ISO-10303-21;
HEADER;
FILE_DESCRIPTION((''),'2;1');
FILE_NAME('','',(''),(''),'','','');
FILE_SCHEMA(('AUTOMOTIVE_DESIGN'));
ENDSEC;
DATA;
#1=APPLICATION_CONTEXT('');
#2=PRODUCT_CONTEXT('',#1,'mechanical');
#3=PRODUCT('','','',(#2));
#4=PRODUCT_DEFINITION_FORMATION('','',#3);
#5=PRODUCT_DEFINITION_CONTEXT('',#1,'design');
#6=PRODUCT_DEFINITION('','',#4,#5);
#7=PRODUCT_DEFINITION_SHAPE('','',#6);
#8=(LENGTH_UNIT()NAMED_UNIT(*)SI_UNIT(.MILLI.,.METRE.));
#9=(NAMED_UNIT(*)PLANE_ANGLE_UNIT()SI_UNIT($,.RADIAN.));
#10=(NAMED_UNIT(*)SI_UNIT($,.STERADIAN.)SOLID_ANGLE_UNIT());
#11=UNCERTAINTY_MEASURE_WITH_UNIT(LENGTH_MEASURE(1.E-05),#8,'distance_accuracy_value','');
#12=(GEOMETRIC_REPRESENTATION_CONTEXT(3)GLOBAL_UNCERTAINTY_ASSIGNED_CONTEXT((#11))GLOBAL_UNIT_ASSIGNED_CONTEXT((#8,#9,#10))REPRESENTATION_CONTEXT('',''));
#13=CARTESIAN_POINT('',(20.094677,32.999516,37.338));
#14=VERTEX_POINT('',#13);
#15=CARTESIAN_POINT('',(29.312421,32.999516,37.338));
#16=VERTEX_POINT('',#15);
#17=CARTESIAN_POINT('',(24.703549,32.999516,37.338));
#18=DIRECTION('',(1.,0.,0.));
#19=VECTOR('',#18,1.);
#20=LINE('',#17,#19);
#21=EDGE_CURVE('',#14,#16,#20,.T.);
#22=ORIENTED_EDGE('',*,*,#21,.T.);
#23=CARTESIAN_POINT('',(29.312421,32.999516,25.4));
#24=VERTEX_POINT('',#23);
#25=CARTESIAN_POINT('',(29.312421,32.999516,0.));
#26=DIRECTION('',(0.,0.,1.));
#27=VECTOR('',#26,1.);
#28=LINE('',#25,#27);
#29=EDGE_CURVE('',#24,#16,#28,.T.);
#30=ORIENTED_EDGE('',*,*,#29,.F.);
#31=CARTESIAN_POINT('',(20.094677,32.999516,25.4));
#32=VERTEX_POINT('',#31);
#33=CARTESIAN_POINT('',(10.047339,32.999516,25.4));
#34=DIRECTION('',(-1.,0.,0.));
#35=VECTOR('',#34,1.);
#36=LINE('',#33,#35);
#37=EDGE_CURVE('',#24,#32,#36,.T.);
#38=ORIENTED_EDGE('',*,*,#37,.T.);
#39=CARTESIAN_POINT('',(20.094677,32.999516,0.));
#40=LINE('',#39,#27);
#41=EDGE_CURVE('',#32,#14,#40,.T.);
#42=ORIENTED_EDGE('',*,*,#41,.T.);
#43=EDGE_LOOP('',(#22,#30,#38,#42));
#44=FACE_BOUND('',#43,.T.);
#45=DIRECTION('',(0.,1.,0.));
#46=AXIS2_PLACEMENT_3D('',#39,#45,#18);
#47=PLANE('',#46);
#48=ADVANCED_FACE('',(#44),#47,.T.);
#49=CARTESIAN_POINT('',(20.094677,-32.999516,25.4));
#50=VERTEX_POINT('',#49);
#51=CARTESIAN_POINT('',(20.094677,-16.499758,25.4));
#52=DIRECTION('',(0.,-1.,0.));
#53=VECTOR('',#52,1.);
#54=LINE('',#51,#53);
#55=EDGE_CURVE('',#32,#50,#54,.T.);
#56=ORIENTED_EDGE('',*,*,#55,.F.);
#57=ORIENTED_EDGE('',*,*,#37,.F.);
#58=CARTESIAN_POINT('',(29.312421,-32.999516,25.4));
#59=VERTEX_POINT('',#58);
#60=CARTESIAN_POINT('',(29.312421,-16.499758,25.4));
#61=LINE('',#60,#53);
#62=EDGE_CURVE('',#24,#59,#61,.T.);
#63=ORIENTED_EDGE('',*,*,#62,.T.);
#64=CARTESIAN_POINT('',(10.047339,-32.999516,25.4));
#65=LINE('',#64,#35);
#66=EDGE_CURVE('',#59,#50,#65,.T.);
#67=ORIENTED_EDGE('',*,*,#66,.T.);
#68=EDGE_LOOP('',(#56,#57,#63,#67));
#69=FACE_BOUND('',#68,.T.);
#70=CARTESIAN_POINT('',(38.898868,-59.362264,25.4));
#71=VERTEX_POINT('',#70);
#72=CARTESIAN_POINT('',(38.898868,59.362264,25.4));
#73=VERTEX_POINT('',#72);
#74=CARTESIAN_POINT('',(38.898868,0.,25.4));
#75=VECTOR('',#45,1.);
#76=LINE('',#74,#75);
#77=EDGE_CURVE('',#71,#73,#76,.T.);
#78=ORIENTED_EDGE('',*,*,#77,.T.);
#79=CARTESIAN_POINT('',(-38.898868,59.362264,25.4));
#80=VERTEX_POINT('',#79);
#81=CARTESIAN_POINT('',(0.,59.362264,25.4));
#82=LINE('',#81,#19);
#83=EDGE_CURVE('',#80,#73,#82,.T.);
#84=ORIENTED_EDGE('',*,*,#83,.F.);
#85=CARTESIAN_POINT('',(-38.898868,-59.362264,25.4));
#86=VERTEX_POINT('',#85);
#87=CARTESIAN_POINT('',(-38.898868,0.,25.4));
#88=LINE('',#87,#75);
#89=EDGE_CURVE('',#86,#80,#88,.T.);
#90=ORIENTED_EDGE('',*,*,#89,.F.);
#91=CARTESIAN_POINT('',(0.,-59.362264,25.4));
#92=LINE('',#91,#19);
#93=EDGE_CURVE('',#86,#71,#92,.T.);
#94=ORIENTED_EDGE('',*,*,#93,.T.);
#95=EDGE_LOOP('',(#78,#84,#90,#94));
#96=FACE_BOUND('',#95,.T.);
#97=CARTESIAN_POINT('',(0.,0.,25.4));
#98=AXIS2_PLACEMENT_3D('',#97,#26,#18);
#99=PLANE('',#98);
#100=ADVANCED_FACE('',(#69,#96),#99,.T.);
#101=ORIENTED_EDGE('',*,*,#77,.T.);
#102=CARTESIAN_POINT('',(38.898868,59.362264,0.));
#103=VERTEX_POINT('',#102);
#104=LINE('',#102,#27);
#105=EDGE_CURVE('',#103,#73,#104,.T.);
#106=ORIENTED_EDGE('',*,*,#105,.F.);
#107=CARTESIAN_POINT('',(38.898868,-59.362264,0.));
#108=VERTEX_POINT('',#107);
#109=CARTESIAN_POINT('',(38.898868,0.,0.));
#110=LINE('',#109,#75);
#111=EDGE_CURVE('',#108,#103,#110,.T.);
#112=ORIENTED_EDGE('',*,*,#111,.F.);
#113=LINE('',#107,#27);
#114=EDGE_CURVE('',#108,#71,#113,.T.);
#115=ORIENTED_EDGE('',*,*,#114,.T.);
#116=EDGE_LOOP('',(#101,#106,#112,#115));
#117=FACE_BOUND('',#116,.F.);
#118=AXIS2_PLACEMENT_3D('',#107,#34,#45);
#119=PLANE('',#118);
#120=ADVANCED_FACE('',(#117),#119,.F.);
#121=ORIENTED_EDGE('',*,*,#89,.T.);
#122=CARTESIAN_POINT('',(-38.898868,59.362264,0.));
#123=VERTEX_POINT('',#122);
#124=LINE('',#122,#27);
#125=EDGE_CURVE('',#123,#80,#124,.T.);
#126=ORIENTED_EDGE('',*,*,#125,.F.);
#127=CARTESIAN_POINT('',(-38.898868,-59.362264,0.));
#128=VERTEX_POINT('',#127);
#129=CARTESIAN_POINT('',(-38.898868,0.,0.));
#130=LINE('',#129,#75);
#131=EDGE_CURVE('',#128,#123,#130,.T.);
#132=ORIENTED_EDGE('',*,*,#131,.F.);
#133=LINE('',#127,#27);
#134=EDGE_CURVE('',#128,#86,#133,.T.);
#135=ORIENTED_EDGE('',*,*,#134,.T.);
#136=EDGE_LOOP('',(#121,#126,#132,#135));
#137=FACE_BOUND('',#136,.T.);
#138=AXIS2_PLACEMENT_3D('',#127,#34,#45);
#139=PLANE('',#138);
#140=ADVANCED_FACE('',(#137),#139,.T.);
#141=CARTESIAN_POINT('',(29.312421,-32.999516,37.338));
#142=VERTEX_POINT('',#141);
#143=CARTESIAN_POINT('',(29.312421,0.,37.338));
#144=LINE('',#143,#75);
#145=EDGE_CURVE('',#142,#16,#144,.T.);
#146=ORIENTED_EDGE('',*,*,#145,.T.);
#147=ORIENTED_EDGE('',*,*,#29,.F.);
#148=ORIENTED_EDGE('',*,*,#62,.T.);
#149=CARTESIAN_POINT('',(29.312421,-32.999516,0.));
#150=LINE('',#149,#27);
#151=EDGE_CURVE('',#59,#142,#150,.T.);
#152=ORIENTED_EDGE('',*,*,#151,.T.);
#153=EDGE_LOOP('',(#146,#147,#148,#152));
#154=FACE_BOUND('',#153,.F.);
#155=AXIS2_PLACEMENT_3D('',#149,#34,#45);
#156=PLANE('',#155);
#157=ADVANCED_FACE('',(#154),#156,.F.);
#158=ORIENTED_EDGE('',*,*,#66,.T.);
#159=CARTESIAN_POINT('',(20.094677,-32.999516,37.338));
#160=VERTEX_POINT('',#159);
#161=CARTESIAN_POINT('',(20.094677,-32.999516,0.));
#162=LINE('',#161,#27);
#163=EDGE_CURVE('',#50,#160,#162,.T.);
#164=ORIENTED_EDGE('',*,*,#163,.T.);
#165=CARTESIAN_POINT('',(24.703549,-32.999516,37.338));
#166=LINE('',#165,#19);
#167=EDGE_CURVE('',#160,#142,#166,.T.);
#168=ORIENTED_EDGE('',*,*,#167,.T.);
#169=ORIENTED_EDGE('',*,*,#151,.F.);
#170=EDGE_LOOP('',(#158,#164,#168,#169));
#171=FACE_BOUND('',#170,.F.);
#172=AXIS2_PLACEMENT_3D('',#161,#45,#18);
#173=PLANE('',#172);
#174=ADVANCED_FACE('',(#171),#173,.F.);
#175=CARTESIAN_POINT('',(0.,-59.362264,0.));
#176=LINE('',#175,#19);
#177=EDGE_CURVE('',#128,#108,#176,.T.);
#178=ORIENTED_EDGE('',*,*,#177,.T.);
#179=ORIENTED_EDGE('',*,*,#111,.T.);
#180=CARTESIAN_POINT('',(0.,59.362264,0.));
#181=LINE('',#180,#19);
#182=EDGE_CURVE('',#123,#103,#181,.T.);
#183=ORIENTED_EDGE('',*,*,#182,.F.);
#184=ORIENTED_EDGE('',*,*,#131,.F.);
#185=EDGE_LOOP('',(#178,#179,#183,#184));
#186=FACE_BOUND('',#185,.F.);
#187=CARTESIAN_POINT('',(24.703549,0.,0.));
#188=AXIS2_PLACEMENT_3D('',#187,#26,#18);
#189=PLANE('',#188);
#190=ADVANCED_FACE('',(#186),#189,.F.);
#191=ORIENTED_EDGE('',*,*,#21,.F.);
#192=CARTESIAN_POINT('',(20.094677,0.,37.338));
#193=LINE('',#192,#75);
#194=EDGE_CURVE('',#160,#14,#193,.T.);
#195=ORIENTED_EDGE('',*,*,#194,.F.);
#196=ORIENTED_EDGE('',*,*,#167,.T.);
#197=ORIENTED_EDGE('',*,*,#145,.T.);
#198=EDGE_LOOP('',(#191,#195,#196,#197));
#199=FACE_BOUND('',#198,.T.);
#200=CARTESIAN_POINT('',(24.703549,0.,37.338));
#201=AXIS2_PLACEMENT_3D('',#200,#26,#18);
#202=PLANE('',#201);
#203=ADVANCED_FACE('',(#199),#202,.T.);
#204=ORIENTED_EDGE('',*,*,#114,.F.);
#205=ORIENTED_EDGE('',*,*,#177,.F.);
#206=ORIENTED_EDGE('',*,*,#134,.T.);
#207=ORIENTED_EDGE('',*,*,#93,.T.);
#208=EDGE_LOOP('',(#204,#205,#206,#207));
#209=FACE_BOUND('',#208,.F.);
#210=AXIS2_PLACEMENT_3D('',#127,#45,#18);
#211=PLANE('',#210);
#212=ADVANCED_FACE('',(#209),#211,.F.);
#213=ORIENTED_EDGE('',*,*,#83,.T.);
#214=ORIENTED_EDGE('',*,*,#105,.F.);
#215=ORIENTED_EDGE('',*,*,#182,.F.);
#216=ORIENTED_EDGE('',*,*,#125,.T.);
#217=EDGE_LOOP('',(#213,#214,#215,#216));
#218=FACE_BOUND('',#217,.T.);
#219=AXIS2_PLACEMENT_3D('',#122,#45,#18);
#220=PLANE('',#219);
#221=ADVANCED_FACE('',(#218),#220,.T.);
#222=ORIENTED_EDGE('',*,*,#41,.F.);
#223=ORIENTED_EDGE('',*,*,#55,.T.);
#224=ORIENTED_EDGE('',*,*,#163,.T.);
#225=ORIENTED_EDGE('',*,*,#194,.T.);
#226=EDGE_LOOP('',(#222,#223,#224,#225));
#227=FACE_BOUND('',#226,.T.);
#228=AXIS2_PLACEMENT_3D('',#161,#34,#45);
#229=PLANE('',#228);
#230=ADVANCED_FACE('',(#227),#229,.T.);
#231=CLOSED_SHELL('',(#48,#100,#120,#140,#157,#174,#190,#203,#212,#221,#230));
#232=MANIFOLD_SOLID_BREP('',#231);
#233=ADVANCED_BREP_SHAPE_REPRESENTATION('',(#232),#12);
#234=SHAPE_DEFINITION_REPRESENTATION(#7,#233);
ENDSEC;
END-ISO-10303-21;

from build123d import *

# Parameters (mm, degrees)
F0_W     = 77.797736
F0_H     = 118.724528
F2_DEPTH = 25.4
F1_W     = 9.217743
F1_H     = 65.999032
F3_DEPTH = 37.338


with BuildPart() as f2:
    # F0 (on Top) → F2 (new body)
    with BuildSketch(Plane.XY):
        Rectangle(F0_W, F0_H)
    extrude(amount=F2_DEPTH)

    # F1 (on face) → F3 (join)
    with BuildSketch(Plane.XY):
        with Locations((24.703549, 0)):
            Rectangle(F1_W, F1_H)
    extrude(amount=F3_DEPTH)


solid = f2.part
